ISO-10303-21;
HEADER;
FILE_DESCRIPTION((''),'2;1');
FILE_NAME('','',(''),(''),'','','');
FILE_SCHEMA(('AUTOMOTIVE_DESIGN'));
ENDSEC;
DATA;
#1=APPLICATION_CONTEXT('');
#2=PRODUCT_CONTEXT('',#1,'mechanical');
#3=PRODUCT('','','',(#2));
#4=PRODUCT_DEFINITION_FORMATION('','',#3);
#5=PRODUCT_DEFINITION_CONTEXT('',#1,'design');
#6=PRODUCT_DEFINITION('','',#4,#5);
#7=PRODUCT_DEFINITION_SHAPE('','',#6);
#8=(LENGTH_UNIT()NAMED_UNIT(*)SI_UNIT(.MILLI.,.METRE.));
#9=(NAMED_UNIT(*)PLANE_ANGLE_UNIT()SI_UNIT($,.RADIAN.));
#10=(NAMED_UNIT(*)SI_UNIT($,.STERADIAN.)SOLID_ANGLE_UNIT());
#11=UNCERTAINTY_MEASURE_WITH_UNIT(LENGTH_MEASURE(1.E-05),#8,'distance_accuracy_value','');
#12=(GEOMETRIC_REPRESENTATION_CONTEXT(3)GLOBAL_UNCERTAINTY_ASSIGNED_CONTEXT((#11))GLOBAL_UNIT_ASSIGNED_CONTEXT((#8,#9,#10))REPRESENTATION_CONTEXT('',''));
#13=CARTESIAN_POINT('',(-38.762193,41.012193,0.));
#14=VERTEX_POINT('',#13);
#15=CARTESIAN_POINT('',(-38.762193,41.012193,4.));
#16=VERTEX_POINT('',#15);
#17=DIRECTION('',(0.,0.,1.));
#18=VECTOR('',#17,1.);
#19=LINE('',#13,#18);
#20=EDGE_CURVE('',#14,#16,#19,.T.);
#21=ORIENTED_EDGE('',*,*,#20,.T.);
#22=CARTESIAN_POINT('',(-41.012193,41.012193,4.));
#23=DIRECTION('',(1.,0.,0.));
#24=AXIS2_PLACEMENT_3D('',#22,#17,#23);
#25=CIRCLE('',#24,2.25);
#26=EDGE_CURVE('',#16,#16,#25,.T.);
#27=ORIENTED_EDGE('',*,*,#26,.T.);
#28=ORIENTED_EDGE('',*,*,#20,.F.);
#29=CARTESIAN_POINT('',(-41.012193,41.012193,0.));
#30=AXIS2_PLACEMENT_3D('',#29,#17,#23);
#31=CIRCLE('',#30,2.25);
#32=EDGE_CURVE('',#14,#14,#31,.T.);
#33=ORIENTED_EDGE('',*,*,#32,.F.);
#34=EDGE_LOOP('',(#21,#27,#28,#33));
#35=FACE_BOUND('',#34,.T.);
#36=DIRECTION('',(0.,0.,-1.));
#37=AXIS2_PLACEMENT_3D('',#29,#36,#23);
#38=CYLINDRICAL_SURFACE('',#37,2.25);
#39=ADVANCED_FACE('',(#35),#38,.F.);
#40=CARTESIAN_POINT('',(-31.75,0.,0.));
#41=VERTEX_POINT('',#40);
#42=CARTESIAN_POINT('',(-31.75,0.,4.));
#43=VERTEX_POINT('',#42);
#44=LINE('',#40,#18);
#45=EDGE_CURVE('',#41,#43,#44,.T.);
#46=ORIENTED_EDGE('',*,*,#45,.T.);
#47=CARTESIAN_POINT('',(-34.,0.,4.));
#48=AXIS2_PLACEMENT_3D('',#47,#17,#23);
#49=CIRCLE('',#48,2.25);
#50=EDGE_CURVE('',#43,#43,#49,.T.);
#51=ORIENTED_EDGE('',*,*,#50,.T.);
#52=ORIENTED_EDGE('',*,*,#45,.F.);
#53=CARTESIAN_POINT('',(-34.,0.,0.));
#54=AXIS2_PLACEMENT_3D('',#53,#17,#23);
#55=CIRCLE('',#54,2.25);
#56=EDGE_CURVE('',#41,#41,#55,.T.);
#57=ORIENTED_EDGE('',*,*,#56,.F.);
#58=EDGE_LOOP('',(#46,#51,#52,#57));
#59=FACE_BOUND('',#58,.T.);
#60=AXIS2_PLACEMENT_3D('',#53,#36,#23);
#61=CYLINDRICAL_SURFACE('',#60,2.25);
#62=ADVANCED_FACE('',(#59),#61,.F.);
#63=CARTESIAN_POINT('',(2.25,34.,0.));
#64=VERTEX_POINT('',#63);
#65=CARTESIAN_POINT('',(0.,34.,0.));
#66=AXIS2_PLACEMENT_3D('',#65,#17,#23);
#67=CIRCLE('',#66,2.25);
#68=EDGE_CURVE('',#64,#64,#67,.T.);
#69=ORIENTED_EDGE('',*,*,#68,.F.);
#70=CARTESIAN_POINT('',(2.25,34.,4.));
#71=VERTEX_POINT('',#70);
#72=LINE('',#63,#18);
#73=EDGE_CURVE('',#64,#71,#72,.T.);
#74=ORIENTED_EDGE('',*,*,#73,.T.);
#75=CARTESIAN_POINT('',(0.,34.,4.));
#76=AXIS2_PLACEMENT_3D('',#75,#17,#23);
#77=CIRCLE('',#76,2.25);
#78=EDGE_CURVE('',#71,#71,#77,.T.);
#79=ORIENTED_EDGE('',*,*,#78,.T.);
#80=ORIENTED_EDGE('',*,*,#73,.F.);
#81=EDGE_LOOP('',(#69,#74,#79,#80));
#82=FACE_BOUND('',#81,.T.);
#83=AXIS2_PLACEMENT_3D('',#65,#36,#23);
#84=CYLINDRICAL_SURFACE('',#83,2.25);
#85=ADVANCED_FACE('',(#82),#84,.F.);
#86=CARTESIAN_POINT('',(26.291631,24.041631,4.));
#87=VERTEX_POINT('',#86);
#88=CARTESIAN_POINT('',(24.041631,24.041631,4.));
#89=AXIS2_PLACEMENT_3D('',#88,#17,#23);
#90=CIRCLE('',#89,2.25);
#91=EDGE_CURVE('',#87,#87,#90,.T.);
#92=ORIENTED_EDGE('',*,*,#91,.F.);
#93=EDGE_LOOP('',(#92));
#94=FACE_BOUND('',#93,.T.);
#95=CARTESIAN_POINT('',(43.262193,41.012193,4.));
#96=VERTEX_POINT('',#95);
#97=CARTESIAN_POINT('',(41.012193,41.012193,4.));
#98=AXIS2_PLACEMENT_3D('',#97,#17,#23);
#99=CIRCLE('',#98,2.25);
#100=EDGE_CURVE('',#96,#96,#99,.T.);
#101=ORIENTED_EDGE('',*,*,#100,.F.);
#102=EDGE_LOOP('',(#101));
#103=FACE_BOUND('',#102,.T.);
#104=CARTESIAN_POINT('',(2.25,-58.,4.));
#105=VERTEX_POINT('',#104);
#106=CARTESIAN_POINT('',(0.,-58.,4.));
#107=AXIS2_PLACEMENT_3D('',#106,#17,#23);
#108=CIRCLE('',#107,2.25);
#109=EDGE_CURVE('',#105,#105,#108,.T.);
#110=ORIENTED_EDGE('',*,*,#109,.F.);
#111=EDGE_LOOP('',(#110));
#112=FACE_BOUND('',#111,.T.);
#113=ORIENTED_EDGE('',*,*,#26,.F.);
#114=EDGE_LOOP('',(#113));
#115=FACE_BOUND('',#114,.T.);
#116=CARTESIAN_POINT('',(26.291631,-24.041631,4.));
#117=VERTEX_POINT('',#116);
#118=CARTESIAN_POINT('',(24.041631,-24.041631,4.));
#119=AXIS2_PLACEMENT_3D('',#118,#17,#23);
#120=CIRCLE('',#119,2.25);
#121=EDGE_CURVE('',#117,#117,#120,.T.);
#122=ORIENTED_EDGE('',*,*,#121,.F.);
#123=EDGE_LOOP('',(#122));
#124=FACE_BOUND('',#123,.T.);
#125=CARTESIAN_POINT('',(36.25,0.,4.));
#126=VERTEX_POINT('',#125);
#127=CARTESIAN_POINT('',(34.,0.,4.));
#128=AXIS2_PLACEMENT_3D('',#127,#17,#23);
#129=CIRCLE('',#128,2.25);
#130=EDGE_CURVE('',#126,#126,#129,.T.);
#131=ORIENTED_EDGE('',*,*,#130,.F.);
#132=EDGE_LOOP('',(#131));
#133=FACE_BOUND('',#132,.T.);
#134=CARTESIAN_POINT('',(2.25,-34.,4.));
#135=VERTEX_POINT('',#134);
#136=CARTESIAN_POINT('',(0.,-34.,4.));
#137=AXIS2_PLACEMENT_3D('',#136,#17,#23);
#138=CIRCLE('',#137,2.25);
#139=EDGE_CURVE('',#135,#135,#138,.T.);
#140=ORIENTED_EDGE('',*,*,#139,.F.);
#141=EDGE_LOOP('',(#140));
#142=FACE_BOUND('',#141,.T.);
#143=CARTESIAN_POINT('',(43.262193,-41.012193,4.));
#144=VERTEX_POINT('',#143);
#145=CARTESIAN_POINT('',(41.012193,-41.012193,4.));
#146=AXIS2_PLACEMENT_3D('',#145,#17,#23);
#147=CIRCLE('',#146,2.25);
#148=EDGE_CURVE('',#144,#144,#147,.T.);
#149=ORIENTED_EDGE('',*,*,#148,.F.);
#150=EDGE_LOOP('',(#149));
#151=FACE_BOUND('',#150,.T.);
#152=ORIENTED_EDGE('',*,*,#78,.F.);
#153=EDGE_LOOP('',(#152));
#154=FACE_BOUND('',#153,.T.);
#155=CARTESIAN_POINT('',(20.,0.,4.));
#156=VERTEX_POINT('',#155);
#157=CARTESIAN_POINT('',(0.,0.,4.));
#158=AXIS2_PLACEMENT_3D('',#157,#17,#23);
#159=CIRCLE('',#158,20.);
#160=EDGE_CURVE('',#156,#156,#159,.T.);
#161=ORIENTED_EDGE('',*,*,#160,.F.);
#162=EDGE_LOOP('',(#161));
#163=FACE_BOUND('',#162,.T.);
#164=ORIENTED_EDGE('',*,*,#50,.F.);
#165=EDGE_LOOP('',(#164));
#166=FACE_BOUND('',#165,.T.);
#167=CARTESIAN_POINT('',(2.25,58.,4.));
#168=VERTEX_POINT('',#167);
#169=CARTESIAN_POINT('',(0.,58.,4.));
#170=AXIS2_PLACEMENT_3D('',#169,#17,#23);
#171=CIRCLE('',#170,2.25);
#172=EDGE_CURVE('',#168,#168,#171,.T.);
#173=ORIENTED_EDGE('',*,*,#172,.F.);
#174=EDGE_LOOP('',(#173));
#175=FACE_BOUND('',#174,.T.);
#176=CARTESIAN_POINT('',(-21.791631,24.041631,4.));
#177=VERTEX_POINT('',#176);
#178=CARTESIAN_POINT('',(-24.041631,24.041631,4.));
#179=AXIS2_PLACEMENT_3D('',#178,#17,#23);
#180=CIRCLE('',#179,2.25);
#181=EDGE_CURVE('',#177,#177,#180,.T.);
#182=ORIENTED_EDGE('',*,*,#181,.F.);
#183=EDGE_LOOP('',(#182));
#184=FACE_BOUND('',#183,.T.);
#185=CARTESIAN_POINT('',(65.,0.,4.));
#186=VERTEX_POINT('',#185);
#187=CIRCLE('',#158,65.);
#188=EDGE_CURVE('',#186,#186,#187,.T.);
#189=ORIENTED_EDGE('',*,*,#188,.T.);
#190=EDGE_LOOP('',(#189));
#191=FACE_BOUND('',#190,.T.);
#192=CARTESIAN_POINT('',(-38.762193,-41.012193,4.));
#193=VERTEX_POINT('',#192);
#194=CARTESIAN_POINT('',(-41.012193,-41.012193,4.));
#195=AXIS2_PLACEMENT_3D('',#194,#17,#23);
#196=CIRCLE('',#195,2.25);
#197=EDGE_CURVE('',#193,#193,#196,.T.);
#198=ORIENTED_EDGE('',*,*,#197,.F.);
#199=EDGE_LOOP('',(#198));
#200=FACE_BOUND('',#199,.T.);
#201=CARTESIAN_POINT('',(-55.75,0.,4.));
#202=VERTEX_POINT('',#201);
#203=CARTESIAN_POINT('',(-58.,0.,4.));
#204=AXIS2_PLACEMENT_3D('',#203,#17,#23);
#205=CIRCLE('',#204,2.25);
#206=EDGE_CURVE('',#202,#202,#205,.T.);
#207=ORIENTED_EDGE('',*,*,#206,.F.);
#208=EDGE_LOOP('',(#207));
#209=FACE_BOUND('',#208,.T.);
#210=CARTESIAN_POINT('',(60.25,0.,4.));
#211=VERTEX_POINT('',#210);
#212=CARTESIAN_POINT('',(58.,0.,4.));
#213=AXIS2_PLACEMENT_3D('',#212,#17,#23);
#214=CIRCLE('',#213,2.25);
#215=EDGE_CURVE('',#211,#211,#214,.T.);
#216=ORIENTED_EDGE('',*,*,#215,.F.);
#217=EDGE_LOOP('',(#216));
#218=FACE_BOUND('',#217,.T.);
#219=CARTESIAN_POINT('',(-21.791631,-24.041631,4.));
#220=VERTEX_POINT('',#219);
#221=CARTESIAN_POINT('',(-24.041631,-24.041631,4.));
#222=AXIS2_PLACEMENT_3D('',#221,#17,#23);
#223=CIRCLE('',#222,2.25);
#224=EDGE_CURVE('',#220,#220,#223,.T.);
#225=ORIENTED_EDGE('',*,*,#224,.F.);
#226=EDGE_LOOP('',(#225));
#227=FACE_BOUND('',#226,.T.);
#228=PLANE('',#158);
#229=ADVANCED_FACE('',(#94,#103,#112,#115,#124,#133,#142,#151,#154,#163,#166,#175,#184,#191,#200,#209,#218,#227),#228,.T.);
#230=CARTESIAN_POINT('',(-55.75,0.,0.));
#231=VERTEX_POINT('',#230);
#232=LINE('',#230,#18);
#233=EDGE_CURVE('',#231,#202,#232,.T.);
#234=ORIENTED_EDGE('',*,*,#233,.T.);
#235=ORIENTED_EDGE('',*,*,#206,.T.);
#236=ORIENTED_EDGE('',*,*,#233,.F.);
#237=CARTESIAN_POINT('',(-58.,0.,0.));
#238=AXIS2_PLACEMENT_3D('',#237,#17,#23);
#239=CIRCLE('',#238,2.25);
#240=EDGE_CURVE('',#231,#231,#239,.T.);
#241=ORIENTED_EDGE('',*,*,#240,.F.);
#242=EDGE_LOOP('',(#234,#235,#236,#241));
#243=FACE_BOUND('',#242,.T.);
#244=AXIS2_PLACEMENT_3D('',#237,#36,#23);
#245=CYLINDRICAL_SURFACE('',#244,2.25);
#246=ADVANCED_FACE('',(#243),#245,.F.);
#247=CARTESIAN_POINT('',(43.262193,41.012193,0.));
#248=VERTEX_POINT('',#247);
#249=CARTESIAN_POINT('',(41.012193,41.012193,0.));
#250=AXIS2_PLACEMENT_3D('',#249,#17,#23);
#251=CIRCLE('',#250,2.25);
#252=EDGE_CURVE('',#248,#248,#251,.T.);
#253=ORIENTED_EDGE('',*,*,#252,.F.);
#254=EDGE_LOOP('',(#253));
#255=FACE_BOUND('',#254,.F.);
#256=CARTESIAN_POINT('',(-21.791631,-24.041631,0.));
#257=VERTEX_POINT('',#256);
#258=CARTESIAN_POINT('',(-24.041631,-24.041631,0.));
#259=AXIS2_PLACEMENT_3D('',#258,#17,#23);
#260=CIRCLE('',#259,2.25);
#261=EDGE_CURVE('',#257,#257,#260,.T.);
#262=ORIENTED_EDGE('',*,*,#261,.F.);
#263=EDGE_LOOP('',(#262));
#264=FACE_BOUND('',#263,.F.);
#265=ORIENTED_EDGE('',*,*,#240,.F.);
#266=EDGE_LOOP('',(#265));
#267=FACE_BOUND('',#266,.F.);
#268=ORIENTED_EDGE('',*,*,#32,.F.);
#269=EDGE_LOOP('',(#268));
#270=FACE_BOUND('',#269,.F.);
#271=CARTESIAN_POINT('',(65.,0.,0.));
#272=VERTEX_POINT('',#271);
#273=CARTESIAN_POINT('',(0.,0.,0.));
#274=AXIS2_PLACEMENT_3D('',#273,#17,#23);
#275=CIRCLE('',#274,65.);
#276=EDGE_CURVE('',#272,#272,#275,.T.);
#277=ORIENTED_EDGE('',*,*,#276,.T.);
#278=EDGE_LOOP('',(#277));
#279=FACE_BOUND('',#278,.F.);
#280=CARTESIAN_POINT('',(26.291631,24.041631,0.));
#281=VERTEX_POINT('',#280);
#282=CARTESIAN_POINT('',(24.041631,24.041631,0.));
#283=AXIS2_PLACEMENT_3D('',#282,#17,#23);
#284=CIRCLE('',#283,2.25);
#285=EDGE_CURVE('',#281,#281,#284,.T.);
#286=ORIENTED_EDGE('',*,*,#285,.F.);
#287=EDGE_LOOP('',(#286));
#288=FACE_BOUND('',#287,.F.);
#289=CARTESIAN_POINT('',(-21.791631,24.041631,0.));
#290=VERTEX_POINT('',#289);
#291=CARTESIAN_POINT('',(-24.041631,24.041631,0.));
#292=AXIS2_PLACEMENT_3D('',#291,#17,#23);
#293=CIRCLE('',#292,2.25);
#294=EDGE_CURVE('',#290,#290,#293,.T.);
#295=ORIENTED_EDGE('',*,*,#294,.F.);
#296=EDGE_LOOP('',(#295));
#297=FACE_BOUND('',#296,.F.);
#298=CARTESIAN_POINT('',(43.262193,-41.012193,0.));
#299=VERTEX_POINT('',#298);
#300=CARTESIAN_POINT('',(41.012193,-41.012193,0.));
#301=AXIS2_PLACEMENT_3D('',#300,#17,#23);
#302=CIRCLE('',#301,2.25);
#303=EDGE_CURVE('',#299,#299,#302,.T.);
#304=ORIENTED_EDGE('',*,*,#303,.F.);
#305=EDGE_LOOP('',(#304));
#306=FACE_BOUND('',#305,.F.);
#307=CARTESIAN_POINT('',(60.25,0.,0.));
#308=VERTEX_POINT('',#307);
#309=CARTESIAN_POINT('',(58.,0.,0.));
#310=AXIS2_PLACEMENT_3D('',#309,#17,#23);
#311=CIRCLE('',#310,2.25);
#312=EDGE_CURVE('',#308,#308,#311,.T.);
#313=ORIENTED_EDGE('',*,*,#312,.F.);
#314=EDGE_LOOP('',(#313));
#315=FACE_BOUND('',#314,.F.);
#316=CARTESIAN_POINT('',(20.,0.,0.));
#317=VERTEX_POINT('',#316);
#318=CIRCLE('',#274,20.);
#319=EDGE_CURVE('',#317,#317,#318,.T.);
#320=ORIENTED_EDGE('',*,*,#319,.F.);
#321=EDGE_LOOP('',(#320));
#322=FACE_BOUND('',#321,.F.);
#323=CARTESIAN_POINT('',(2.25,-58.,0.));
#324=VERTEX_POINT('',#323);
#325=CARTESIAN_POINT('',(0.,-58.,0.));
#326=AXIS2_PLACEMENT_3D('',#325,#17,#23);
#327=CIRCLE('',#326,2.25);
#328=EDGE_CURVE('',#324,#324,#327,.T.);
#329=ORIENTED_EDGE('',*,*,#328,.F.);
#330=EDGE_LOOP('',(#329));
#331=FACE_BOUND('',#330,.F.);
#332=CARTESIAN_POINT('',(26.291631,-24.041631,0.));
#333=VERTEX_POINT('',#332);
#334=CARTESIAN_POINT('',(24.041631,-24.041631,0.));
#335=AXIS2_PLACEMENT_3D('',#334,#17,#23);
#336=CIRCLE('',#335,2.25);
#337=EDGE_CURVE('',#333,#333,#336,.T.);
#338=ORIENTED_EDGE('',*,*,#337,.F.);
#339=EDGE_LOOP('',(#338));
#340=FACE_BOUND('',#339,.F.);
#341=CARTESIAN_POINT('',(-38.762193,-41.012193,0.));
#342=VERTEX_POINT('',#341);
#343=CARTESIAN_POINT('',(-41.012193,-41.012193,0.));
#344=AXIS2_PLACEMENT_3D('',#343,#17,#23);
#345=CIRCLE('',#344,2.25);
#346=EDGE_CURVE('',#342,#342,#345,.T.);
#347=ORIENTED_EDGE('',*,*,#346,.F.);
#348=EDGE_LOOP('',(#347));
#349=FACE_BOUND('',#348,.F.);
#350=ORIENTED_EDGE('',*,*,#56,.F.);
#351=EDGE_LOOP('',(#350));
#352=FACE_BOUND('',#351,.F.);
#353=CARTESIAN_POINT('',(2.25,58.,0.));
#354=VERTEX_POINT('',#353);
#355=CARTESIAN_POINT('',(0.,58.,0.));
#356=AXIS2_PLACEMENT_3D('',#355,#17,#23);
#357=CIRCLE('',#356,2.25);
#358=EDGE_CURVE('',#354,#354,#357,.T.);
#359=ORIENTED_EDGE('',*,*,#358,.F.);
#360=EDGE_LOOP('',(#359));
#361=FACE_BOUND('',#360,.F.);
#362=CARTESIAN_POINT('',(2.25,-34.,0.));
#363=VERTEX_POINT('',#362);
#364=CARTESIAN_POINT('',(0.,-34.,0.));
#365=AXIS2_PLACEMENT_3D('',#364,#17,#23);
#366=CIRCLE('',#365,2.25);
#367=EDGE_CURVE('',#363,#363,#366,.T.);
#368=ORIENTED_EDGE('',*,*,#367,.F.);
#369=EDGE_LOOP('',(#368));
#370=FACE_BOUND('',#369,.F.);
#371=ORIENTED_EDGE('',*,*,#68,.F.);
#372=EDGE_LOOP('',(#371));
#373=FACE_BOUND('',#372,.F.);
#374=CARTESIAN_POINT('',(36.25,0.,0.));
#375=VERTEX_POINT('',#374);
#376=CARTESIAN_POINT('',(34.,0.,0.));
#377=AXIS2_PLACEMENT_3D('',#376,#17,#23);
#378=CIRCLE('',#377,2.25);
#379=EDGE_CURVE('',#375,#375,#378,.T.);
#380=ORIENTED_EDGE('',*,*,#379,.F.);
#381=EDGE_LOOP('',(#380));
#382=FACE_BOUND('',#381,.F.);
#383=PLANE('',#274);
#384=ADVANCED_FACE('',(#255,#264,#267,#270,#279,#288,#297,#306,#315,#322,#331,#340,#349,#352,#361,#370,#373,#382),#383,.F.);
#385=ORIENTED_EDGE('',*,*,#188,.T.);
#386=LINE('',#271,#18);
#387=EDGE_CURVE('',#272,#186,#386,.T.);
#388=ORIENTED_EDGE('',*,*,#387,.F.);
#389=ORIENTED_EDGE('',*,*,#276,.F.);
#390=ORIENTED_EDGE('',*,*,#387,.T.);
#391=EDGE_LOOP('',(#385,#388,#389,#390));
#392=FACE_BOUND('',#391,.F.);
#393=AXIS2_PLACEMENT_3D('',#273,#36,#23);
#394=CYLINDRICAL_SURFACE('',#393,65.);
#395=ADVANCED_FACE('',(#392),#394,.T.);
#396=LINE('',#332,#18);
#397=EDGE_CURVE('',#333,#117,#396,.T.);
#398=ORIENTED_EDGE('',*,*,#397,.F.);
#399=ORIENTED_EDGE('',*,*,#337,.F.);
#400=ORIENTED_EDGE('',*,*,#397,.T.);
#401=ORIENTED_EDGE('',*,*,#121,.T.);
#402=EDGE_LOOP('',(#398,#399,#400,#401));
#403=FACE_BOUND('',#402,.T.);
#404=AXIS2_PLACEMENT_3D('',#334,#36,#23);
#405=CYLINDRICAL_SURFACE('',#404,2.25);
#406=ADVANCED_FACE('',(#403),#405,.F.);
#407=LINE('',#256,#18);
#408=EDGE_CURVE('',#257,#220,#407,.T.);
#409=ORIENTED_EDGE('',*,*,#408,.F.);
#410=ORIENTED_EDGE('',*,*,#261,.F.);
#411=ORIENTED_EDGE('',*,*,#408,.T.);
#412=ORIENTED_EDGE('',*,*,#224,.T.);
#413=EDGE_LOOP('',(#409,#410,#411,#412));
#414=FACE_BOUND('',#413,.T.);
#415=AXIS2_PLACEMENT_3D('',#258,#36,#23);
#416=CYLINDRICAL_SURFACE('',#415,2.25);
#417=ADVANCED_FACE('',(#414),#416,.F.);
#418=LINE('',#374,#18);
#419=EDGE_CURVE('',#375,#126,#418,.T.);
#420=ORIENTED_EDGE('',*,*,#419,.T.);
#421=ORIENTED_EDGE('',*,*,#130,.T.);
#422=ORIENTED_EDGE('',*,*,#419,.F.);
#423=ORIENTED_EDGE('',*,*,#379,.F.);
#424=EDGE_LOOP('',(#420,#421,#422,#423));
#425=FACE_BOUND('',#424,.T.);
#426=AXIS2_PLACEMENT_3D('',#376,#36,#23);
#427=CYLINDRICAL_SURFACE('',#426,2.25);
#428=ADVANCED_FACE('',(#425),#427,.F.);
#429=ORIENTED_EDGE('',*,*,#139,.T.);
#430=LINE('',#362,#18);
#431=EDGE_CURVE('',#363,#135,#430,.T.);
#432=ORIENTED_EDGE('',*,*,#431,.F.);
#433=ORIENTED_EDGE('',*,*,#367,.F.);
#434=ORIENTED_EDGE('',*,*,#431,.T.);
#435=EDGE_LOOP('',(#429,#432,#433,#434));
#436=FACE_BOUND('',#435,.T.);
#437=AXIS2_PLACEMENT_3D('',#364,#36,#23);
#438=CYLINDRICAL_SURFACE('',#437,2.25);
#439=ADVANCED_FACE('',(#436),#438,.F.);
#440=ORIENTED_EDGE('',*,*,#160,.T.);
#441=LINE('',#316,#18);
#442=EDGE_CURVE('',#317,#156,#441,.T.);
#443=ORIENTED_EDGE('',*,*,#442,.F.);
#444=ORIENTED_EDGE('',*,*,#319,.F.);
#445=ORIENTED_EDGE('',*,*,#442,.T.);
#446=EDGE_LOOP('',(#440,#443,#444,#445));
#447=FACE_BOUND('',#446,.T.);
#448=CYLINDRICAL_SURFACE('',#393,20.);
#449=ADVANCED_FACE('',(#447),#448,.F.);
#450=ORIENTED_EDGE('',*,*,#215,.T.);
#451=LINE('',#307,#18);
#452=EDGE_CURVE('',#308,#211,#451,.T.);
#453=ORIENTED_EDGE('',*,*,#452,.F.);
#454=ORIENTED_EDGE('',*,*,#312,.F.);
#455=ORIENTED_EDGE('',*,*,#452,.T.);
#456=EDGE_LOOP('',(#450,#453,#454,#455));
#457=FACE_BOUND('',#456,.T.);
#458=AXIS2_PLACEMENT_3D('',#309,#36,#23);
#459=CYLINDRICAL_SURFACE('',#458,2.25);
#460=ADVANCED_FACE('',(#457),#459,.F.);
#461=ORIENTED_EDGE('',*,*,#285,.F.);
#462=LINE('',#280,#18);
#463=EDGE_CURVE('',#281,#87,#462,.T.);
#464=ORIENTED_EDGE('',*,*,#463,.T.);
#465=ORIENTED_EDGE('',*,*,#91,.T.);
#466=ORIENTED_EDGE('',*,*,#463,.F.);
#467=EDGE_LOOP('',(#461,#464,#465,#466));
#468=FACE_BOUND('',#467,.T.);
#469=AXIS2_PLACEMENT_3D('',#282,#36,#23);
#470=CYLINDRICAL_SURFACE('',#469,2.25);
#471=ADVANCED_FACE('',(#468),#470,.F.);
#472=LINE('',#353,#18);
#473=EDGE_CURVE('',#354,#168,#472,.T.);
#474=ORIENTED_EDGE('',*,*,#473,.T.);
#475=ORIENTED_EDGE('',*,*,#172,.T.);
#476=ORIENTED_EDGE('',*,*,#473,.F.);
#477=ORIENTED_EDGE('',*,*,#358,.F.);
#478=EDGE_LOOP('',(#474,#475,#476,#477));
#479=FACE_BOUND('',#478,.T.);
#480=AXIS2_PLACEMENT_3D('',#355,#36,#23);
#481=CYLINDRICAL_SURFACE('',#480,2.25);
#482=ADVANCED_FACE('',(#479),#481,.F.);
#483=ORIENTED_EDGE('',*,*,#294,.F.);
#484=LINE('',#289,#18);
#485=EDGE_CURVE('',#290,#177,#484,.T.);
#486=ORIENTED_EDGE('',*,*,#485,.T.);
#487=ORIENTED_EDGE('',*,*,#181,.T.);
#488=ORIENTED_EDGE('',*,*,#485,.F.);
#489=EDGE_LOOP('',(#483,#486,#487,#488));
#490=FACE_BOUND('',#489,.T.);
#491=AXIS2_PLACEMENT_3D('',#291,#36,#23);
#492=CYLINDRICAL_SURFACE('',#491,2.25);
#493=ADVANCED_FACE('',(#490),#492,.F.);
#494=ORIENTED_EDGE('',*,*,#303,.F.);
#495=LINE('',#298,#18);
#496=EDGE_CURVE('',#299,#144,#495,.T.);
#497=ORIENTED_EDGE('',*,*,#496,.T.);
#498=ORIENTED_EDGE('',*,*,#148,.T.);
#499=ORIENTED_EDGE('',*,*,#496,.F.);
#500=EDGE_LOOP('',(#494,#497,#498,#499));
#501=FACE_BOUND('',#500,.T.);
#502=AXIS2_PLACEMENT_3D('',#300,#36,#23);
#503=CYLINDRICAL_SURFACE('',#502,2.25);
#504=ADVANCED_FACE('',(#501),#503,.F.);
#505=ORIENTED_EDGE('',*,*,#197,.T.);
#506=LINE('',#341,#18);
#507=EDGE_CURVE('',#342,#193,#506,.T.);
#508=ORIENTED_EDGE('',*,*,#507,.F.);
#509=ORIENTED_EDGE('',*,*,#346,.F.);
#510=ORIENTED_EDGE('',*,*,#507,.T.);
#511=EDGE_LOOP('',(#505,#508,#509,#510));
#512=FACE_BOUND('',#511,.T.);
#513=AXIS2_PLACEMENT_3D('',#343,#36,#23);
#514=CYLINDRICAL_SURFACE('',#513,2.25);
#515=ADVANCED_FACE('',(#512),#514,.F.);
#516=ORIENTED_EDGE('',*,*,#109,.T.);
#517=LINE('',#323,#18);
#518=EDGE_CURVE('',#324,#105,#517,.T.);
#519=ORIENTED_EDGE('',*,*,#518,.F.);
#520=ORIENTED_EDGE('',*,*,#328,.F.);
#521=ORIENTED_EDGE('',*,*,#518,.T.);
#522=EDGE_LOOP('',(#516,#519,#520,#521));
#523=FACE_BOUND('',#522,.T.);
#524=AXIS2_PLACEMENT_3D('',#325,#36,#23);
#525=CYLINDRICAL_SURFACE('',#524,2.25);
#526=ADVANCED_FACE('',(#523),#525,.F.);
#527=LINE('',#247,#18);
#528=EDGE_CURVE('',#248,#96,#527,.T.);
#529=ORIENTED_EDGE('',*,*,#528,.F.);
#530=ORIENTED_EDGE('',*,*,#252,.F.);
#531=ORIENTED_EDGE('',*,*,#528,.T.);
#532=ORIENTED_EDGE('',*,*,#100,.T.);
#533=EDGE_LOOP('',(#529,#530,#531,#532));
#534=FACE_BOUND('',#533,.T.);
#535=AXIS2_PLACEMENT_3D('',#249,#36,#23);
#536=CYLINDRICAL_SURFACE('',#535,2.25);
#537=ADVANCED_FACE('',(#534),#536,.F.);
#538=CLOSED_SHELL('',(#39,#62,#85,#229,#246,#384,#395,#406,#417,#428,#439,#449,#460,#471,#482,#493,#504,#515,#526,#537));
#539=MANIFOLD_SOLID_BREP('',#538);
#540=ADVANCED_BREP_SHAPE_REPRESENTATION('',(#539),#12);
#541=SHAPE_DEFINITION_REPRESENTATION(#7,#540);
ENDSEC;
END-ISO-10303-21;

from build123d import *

# Parameters (mm, degrees)
SKETCH_R      = 65
SKETCH_R_2    = 20
SKETCH_R_3    = 2.25
EXTRUDE_DEPTH = 4


with BuildPart() as part:
    # Sketch → Extrude (new body)
    with BuildSketch(Plane.XY):
        Circle(SKETCH_R)
        Circle(SKETCH_R_2, mode=Mode.SUBTRACT)
        with Locations((-24.041631, 24.041631)):
            Circle(SKETCH_R_3, mode=Mode.SUBTRACT)
        with Locations((0, 34)):
            Circle(SKETCH_R_3, mode=Mode.SUBTRACT)
        with Locations((34, 0)):
            Circle(SKETCH_R_3, mode=Mode.SUBTRACT)
        with Locations((0, -34)):
            Circle(SKETCH_R_3, mode=Mode.SUBTRACT)
        with Locations((-24.041631, -24.041631)):
            Circle(SKETCH_R_3, mode=Mode.SUBTRACT)
        with Locations((-34, 0)):
            Circle(SKETCH_R_3, mode=Mode.SUBTRACT)
        with Locations((24.041631, -24.041631)):
            Circle(SKETCH_R_3, mode=Mode.SUBTRACT)
        with Locations((24.041631, 24.041631)):
            Circle(SKETCH_R_3, mode=Mode.SUBTRACT)
        with Locations((41.012193, 41.012193)):
            Circle(SKETCH_R_3, mode=Mode.SUBTRACT)
        with Locations((-58, 0)):
            Circle(SKETCH_R_3, mode=Mode.SUBTRACT)
        with Locations((0, -58)):
            Circle(SKETCH_R_3, mode=Mode.SUBTRACT)
        with Locations((-41.012193, -41.012193)):
            Circle(SKETCH_R_3, mode=Mode.SUBTRACT)
        with Locations((-41.012193, 41.012193)):
            Circle(SKETCH_R_3, mode=Mode.SUBTRACT)
        with Locations((41.012193, -41.012193)):
            Circle(SKETCH_R_3, mode=Mode.SUBTRACT)
        with Locations((0, 58)):
            Circle(SKETCH_R_3, mode=Mode.SUBTRACT)
        with Locations((58, 0)):
            Circle(SKETCH_R_3, mode=Mode.SUBTRACT)
    extrude(amount=EXTRUDE_DEPTH)


solid = part.part
